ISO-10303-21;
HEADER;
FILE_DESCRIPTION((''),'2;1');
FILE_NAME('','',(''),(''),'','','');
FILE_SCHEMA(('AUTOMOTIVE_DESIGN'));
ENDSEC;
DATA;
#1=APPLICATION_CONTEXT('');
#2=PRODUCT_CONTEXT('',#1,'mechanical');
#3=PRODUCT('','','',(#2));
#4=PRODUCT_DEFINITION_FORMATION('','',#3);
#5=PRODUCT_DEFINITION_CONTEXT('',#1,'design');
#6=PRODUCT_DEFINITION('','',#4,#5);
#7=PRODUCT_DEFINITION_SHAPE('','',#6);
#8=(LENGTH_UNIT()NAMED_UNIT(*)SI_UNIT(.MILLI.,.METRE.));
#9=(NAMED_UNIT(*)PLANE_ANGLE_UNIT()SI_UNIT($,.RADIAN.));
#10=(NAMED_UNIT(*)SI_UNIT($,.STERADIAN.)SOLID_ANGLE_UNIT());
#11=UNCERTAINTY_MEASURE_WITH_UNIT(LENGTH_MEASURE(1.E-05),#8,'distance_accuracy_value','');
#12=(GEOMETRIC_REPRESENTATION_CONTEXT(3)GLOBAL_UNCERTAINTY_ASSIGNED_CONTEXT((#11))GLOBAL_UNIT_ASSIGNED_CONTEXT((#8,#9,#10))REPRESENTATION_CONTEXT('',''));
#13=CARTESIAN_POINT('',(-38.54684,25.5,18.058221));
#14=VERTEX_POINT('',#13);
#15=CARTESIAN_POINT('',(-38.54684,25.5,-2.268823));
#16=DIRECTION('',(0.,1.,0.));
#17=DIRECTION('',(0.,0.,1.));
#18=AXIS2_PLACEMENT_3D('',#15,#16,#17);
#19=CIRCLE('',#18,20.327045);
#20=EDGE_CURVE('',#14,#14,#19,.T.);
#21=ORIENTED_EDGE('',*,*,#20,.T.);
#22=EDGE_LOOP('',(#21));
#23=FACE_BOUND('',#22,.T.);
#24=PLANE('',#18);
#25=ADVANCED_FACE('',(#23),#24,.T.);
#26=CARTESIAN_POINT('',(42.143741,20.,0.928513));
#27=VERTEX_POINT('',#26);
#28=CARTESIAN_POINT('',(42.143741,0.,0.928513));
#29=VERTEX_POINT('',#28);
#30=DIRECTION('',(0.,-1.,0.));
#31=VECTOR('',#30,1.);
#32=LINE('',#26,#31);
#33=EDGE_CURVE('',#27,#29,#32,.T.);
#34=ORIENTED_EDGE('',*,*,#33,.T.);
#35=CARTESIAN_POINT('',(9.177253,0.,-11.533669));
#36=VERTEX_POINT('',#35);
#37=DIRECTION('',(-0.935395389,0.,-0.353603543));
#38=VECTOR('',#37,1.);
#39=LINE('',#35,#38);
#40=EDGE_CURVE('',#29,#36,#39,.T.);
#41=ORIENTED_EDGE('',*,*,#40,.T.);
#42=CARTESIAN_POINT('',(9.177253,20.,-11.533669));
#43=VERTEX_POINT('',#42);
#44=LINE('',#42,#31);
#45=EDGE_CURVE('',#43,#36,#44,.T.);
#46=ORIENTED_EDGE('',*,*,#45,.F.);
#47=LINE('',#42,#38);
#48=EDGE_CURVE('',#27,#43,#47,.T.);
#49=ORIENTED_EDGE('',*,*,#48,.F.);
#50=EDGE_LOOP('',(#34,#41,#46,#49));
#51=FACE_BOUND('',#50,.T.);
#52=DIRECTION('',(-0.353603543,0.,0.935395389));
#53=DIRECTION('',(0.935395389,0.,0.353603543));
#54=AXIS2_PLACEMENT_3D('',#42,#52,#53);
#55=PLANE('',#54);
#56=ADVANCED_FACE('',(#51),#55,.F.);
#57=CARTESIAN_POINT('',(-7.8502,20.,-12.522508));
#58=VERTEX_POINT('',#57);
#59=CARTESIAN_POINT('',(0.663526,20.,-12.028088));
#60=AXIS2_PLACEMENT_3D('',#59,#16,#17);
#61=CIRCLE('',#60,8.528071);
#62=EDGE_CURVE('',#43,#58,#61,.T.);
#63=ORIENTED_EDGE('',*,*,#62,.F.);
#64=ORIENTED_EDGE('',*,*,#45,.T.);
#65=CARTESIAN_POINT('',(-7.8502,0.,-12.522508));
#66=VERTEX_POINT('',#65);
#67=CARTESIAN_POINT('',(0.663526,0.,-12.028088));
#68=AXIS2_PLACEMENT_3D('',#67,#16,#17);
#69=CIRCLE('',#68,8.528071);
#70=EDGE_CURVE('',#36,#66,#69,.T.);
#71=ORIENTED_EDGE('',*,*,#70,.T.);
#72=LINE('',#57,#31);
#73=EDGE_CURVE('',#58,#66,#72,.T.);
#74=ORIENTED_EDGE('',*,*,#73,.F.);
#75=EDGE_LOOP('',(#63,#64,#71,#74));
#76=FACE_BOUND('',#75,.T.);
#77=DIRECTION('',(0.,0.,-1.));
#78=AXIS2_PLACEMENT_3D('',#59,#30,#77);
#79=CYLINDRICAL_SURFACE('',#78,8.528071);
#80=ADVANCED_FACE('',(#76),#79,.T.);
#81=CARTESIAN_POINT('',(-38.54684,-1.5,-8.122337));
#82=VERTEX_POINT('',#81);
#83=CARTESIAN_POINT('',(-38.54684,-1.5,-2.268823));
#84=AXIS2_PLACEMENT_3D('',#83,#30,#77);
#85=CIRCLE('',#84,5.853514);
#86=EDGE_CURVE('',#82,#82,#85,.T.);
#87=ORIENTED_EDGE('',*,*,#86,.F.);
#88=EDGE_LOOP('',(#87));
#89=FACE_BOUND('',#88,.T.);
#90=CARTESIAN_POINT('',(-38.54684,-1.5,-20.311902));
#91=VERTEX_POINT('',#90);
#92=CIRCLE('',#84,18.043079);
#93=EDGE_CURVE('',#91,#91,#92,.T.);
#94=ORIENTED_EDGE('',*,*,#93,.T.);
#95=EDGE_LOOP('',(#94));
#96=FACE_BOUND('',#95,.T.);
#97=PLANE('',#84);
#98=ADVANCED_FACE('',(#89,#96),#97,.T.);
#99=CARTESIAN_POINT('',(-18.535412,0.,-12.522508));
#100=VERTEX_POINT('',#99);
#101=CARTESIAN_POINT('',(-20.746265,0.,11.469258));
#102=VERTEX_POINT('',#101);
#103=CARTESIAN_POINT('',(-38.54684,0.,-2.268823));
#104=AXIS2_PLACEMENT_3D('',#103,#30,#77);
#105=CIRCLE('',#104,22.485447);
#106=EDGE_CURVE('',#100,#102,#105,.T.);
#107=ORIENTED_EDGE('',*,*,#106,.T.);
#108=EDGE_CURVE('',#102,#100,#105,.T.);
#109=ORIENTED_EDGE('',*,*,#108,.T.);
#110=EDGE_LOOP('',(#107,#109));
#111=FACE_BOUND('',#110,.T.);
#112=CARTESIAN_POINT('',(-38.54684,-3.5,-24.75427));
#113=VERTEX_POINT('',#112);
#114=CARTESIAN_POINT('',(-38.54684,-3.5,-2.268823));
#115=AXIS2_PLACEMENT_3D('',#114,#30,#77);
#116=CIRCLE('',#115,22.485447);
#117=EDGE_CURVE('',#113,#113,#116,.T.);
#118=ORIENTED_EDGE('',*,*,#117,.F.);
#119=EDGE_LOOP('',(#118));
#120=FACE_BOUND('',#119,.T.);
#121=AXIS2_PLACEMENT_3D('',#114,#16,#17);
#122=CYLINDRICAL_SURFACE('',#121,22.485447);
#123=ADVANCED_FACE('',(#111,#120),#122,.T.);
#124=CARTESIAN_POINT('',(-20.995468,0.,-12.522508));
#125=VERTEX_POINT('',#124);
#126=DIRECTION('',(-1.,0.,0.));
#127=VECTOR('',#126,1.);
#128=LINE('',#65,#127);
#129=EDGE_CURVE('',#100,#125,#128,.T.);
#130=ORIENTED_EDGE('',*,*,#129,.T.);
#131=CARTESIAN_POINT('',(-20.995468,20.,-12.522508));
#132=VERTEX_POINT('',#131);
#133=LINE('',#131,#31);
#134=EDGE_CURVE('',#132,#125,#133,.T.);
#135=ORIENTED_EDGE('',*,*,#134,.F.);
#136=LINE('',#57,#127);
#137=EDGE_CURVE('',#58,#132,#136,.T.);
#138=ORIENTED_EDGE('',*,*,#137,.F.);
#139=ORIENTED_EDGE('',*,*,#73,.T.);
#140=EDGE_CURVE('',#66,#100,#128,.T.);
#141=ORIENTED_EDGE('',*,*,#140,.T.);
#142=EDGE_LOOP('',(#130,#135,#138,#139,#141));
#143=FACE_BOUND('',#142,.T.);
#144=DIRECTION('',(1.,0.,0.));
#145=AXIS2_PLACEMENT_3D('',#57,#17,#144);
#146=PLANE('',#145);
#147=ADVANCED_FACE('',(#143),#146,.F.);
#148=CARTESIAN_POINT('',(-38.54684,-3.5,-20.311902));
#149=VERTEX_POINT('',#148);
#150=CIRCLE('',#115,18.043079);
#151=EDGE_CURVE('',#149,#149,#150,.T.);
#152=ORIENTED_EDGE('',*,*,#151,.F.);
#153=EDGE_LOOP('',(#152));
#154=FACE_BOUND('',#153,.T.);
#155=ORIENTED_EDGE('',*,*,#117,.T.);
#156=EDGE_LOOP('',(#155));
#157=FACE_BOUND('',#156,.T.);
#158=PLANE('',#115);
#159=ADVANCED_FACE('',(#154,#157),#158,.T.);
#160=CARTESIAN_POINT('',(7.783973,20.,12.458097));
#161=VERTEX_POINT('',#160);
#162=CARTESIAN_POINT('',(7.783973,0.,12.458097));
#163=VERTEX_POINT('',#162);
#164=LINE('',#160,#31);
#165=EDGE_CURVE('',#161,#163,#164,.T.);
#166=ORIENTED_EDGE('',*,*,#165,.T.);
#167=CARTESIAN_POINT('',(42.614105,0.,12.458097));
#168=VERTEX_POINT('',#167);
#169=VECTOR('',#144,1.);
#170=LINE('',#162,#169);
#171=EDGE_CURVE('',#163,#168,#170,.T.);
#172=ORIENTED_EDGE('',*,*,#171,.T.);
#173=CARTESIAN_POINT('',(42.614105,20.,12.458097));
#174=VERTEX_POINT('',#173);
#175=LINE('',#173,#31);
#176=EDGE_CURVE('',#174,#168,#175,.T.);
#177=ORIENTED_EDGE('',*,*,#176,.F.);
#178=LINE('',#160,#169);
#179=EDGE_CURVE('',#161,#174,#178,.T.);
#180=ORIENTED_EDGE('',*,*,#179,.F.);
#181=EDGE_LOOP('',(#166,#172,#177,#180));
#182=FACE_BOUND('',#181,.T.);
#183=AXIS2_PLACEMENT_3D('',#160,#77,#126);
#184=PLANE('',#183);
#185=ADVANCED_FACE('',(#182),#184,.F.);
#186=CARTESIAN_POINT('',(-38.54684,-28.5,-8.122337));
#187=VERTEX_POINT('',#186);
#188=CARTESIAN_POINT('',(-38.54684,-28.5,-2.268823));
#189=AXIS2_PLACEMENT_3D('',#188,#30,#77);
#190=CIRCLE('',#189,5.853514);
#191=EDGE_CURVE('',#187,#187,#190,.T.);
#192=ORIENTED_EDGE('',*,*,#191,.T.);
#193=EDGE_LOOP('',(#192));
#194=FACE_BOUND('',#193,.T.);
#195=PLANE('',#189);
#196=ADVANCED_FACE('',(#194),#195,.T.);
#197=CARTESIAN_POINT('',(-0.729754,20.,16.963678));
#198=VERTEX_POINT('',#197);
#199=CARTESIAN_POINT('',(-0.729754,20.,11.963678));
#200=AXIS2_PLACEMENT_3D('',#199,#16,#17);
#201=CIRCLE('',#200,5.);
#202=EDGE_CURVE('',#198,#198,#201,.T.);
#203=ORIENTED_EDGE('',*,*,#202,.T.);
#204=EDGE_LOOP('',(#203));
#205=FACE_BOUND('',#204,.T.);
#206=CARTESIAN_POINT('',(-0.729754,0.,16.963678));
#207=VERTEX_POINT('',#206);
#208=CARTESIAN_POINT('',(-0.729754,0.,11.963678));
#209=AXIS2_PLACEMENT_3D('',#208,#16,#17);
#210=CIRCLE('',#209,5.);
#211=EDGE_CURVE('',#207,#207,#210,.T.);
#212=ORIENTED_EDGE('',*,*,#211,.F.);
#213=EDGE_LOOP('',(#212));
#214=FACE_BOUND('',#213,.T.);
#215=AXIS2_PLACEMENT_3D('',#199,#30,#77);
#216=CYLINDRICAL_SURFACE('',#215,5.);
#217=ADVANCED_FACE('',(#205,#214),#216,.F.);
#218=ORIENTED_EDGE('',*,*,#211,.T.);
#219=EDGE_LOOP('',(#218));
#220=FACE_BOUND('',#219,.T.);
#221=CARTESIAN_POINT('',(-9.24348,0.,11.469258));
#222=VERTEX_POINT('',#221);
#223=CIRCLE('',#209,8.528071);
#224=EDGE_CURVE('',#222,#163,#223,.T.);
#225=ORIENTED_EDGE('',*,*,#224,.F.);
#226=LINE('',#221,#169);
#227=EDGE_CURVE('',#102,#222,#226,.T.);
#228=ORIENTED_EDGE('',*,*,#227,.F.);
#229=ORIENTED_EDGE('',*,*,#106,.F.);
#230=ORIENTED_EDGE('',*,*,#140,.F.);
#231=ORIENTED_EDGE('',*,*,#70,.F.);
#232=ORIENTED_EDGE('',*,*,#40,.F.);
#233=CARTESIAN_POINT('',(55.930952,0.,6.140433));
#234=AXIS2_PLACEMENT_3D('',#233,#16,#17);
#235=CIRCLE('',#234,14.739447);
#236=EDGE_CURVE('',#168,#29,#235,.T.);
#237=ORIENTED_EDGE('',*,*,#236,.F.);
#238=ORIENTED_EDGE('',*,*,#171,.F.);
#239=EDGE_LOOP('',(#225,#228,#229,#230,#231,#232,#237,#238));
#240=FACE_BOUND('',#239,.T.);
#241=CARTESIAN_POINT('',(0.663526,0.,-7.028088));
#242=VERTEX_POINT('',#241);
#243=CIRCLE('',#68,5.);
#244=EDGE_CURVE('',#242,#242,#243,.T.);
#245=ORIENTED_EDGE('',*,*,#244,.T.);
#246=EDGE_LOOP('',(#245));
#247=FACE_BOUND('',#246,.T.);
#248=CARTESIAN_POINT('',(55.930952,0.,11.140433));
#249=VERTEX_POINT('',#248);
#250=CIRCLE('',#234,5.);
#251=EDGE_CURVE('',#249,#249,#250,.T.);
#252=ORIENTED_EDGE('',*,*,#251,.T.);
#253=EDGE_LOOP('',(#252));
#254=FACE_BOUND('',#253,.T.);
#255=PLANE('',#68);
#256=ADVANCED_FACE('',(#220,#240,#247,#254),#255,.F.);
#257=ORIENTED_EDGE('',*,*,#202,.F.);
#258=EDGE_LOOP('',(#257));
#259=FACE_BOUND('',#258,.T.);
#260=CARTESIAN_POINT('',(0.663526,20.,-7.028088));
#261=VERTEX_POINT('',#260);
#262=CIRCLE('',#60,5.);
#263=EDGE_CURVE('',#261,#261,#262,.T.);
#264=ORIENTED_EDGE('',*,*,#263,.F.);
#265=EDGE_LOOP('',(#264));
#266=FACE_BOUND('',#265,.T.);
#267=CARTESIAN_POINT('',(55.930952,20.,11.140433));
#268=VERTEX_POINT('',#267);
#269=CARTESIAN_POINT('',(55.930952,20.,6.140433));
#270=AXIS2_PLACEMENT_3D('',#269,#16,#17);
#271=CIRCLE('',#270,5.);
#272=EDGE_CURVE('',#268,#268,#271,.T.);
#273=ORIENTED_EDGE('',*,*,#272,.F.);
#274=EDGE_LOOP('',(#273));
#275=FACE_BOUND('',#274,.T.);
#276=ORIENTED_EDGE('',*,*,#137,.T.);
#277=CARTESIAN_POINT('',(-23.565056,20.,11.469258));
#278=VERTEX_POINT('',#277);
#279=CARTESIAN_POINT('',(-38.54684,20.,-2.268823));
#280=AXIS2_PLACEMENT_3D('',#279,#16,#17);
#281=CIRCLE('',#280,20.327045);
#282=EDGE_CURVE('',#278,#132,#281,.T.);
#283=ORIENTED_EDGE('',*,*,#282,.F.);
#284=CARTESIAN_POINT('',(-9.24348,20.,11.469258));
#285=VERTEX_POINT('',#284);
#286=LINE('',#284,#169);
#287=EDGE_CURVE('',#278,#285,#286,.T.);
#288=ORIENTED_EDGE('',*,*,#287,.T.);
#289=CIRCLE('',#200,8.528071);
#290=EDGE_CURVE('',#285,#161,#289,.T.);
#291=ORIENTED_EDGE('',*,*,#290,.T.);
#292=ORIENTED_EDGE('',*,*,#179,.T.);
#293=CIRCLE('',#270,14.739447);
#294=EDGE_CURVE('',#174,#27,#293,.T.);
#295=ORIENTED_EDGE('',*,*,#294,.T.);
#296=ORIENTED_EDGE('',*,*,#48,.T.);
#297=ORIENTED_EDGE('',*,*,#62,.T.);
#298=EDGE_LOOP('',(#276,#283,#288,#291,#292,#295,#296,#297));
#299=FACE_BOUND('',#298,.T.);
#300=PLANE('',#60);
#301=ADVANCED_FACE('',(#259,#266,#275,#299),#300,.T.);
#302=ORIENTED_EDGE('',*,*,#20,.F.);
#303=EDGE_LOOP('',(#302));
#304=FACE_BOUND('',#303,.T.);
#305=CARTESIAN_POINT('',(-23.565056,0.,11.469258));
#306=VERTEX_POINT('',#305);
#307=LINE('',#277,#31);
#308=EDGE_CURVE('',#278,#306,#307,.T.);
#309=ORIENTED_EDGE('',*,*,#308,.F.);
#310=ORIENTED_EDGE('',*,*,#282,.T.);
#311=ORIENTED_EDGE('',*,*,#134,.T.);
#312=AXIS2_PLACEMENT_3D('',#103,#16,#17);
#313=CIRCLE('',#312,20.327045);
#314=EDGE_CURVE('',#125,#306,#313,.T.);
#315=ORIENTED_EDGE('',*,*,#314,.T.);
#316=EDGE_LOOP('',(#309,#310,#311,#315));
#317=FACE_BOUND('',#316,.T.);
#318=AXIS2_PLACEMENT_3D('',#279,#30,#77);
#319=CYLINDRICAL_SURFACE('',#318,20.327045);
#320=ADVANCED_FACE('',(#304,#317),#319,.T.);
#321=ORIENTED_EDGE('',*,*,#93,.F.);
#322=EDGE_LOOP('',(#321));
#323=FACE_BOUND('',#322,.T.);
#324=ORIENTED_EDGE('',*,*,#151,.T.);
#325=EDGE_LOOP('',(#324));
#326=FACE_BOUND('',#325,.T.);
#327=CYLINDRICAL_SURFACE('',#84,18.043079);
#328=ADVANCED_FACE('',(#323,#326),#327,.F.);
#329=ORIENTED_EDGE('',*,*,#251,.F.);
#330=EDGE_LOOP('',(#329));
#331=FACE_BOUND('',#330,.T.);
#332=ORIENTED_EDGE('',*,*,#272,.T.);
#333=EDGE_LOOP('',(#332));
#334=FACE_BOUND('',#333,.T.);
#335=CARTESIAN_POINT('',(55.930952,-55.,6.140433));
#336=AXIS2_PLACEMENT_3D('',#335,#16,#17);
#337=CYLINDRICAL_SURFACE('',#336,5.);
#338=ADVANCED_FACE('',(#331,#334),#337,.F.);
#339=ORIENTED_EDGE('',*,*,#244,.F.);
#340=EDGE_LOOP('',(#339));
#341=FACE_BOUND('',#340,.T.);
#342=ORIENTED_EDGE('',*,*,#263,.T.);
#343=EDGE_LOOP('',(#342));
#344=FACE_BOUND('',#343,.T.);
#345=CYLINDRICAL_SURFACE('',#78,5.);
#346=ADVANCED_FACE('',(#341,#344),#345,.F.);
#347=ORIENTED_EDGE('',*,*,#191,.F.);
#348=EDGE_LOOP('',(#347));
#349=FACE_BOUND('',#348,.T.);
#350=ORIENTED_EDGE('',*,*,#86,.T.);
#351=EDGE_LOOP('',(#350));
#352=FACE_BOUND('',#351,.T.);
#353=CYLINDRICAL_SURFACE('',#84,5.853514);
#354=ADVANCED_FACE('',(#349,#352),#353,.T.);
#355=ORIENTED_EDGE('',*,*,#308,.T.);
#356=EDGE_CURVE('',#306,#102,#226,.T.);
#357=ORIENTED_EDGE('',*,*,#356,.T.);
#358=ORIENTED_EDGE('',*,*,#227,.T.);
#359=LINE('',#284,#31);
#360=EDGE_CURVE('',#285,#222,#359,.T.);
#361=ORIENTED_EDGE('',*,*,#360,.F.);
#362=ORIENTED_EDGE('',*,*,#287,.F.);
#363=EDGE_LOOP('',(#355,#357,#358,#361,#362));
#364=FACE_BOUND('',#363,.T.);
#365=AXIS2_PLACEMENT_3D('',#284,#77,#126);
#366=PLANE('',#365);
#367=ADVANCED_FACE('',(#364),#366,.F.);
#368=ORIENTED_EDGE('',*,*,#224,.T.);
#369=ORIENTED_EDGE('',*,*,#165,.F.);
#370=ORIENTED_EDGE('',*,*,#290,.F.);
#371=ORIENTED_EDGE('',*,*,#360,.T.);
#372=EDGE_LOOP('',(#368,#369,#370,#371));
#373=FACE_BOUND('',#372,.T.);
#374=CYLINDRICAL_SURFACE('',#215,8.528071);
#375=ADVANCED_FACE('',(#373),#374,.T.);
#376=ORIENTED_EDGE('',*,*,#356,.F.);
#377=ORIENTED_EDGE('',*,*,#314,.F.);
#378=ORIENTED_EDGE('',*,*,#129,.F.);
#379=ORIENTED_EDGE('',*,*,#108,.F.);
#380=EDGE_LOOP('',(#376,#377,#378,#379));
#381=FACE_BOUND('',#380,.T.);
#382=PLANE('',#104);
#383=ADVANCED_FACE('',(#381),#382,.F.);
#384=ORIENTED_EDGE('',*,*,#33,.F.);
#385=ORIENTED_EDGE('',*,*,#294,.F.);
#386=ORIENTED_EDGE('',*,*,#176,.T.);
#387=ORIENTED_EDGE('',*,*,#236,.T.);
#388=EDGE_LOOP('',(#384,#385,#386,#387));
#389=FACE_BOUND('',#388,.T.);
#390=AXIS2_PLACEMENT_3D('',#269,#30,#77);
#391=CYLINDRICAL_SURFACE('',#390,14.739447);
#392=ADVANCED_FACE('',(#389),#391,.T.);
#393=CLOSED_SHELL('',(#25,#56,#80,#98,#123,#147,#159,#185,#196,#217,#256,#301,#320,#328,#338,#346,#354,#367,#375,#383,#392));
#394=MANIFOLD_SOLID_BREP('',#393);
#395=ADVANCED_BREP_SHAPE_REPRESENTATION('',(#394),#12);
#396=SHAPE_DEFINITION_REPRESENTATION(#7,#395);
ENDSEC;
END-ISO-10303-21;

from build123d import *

# Parameters (mm, degrees)
SKETCH1_R           = 5
BOSS_EXTRUDE1_DEPTH = 20
SKETCH2_R           = 5
CUT_EXTRUDE1_DEPTH  = 75
SKETCH3_R           = 22.485447426
BOSS_EXTRUDE2_DEPTH = 3.5
SKETCH4_R           = 20.327044556
BOSS_EXTRUDE3_DEPTH = 5.5
SKETCH5_R           = 18.043078954
SKETCH5_R_2         = 5.853514337
CUT_EXTRUDE2_DEPTH  = 2
BOSS_EXTRUDE5_START = 25
SKETCH7_R           = 5.853514337
BOSS_EXTRUDE5_DEPTH = 25


with BuildPart() as part:
    # Sketch1 → Boss-Extrude1 (new body)
    with BuildSketch(Plane(origin=(0, 0, 0), x_dir=(1, 0, 0), z_dir=(0, 1, 0))):
        with BuildLine():
            Line((9.177252883, 11.533668593), (42.143741373, -0.928512909))
            ThreePointArc((42.143741373, -0.928512909), (70.658147952, -5.539619318), (42.614104982, -12.458097383))
            Line((42.614104982, -12.458097383), (7.783972854, -12.458097383))
            ThreePointArc((7.783972854, -12.458097383), (-1.224173666, -20.477404202), (-9.243480486, -11.469257682))
            Line((-9.243480486, -11.469257682), (-23.565055604, -11.469257682))
            ThreePointArc((-23.565055604, -11.469257682), (-58.758292474, 4.433528189), (-20.995467888, 12.522508294))
            Line((-20.995467888, 12.522508294), (-7.850200457, 12.522508294))
            ThreePointArc((-7.850200457, 12.522508294), (1.157946064, 20.541815114), (9.177252883, 11.533668593))
        make_face()
        with Locations(Location((0.663526213, 12.028088444, 0), (0, 0, 270))):
            Circle(SKETCH1_R, mode=Mode.SUBTRACT)
        with Locations(Location((-0.729753816, -11.963677532, 0), (0, 0, 270))):
            Circle(SKETCH1_R, mode=Mode.SUBTRACT)
    extrude(amount=BOSS_EXTRUDE1_DEPTH)

    # Sketch2 → Cut-Extrude1 (cut)
    with BuildSketch(Plane(origin=(0, 20, 0), x_dir=(1, 0, 0), z_dir=(0, 1, 0))):
        with Locations(Location((55.93095175, -6.140433438, 0), (0, 0, 270))):
            Circle(SKETCH2_R)
    extrude(amount=-CUT_EXTRUDE1_DEPTH, mode=Mode.SUBTRACT)

    # Sketch3 → Boss-Extrude2 (add)
    with BuildSketch(Plane.XZ):
        with Locations(Location((-38.546840471, -2.268823063, 0), (0, 0, 37.660146308))):
            Circle(SKETCH3_R)
    extrude(amount=BOSS_EXTRUDE2_DEPTH)

    # Sketch4 → Boss-Extrude3 (add)
    with BuildSketch(Plane(origin=(0, 20, 0), x_dir=(1, 0, 0), z_dir=(0, 1, 0))):
        with Locations(Location((-38.546840471, 2.268823063, 0), (0, 0, 30.293894425))):
            Circle(SKETCH4_R)
    extrude(amount=BOSS_EXTRUDE3_DEPTH)

    # Sketch5 → Cut-Extrude2 (cut)
    with BuildSketch(Plane.XZ.offset(3.5)):
        with Locations(Location((-38.546840471, -2.268823063, 0), (0, 0, 270))):
            Circle(SKETCH5_R)
        with Locations(Location((-38.546840471, -2.268823063, 0), (0, 0, 270))):
            Circle(SKETCH5_R_2, mode=Mode.SUBTRACT)
    extrude(amount=-CUT_EXTRUDE2_DEPTH, mode=Mode.SUBTRACT)

    # Sketch7 → Boss-Extrude5 (add)
    with BuildSketch(Plane.XZ.offset(3.5).offset(BOSS_EXTRUDE5_START)):
        with Locations(Location((-38.546840471, -2.268823063, 0), (0, 0, 270))):
            Circle(SKETCH7_R)
    extrude(amount=-BOSS_EXTRUDE5_DEPTH)


solid = part.part
